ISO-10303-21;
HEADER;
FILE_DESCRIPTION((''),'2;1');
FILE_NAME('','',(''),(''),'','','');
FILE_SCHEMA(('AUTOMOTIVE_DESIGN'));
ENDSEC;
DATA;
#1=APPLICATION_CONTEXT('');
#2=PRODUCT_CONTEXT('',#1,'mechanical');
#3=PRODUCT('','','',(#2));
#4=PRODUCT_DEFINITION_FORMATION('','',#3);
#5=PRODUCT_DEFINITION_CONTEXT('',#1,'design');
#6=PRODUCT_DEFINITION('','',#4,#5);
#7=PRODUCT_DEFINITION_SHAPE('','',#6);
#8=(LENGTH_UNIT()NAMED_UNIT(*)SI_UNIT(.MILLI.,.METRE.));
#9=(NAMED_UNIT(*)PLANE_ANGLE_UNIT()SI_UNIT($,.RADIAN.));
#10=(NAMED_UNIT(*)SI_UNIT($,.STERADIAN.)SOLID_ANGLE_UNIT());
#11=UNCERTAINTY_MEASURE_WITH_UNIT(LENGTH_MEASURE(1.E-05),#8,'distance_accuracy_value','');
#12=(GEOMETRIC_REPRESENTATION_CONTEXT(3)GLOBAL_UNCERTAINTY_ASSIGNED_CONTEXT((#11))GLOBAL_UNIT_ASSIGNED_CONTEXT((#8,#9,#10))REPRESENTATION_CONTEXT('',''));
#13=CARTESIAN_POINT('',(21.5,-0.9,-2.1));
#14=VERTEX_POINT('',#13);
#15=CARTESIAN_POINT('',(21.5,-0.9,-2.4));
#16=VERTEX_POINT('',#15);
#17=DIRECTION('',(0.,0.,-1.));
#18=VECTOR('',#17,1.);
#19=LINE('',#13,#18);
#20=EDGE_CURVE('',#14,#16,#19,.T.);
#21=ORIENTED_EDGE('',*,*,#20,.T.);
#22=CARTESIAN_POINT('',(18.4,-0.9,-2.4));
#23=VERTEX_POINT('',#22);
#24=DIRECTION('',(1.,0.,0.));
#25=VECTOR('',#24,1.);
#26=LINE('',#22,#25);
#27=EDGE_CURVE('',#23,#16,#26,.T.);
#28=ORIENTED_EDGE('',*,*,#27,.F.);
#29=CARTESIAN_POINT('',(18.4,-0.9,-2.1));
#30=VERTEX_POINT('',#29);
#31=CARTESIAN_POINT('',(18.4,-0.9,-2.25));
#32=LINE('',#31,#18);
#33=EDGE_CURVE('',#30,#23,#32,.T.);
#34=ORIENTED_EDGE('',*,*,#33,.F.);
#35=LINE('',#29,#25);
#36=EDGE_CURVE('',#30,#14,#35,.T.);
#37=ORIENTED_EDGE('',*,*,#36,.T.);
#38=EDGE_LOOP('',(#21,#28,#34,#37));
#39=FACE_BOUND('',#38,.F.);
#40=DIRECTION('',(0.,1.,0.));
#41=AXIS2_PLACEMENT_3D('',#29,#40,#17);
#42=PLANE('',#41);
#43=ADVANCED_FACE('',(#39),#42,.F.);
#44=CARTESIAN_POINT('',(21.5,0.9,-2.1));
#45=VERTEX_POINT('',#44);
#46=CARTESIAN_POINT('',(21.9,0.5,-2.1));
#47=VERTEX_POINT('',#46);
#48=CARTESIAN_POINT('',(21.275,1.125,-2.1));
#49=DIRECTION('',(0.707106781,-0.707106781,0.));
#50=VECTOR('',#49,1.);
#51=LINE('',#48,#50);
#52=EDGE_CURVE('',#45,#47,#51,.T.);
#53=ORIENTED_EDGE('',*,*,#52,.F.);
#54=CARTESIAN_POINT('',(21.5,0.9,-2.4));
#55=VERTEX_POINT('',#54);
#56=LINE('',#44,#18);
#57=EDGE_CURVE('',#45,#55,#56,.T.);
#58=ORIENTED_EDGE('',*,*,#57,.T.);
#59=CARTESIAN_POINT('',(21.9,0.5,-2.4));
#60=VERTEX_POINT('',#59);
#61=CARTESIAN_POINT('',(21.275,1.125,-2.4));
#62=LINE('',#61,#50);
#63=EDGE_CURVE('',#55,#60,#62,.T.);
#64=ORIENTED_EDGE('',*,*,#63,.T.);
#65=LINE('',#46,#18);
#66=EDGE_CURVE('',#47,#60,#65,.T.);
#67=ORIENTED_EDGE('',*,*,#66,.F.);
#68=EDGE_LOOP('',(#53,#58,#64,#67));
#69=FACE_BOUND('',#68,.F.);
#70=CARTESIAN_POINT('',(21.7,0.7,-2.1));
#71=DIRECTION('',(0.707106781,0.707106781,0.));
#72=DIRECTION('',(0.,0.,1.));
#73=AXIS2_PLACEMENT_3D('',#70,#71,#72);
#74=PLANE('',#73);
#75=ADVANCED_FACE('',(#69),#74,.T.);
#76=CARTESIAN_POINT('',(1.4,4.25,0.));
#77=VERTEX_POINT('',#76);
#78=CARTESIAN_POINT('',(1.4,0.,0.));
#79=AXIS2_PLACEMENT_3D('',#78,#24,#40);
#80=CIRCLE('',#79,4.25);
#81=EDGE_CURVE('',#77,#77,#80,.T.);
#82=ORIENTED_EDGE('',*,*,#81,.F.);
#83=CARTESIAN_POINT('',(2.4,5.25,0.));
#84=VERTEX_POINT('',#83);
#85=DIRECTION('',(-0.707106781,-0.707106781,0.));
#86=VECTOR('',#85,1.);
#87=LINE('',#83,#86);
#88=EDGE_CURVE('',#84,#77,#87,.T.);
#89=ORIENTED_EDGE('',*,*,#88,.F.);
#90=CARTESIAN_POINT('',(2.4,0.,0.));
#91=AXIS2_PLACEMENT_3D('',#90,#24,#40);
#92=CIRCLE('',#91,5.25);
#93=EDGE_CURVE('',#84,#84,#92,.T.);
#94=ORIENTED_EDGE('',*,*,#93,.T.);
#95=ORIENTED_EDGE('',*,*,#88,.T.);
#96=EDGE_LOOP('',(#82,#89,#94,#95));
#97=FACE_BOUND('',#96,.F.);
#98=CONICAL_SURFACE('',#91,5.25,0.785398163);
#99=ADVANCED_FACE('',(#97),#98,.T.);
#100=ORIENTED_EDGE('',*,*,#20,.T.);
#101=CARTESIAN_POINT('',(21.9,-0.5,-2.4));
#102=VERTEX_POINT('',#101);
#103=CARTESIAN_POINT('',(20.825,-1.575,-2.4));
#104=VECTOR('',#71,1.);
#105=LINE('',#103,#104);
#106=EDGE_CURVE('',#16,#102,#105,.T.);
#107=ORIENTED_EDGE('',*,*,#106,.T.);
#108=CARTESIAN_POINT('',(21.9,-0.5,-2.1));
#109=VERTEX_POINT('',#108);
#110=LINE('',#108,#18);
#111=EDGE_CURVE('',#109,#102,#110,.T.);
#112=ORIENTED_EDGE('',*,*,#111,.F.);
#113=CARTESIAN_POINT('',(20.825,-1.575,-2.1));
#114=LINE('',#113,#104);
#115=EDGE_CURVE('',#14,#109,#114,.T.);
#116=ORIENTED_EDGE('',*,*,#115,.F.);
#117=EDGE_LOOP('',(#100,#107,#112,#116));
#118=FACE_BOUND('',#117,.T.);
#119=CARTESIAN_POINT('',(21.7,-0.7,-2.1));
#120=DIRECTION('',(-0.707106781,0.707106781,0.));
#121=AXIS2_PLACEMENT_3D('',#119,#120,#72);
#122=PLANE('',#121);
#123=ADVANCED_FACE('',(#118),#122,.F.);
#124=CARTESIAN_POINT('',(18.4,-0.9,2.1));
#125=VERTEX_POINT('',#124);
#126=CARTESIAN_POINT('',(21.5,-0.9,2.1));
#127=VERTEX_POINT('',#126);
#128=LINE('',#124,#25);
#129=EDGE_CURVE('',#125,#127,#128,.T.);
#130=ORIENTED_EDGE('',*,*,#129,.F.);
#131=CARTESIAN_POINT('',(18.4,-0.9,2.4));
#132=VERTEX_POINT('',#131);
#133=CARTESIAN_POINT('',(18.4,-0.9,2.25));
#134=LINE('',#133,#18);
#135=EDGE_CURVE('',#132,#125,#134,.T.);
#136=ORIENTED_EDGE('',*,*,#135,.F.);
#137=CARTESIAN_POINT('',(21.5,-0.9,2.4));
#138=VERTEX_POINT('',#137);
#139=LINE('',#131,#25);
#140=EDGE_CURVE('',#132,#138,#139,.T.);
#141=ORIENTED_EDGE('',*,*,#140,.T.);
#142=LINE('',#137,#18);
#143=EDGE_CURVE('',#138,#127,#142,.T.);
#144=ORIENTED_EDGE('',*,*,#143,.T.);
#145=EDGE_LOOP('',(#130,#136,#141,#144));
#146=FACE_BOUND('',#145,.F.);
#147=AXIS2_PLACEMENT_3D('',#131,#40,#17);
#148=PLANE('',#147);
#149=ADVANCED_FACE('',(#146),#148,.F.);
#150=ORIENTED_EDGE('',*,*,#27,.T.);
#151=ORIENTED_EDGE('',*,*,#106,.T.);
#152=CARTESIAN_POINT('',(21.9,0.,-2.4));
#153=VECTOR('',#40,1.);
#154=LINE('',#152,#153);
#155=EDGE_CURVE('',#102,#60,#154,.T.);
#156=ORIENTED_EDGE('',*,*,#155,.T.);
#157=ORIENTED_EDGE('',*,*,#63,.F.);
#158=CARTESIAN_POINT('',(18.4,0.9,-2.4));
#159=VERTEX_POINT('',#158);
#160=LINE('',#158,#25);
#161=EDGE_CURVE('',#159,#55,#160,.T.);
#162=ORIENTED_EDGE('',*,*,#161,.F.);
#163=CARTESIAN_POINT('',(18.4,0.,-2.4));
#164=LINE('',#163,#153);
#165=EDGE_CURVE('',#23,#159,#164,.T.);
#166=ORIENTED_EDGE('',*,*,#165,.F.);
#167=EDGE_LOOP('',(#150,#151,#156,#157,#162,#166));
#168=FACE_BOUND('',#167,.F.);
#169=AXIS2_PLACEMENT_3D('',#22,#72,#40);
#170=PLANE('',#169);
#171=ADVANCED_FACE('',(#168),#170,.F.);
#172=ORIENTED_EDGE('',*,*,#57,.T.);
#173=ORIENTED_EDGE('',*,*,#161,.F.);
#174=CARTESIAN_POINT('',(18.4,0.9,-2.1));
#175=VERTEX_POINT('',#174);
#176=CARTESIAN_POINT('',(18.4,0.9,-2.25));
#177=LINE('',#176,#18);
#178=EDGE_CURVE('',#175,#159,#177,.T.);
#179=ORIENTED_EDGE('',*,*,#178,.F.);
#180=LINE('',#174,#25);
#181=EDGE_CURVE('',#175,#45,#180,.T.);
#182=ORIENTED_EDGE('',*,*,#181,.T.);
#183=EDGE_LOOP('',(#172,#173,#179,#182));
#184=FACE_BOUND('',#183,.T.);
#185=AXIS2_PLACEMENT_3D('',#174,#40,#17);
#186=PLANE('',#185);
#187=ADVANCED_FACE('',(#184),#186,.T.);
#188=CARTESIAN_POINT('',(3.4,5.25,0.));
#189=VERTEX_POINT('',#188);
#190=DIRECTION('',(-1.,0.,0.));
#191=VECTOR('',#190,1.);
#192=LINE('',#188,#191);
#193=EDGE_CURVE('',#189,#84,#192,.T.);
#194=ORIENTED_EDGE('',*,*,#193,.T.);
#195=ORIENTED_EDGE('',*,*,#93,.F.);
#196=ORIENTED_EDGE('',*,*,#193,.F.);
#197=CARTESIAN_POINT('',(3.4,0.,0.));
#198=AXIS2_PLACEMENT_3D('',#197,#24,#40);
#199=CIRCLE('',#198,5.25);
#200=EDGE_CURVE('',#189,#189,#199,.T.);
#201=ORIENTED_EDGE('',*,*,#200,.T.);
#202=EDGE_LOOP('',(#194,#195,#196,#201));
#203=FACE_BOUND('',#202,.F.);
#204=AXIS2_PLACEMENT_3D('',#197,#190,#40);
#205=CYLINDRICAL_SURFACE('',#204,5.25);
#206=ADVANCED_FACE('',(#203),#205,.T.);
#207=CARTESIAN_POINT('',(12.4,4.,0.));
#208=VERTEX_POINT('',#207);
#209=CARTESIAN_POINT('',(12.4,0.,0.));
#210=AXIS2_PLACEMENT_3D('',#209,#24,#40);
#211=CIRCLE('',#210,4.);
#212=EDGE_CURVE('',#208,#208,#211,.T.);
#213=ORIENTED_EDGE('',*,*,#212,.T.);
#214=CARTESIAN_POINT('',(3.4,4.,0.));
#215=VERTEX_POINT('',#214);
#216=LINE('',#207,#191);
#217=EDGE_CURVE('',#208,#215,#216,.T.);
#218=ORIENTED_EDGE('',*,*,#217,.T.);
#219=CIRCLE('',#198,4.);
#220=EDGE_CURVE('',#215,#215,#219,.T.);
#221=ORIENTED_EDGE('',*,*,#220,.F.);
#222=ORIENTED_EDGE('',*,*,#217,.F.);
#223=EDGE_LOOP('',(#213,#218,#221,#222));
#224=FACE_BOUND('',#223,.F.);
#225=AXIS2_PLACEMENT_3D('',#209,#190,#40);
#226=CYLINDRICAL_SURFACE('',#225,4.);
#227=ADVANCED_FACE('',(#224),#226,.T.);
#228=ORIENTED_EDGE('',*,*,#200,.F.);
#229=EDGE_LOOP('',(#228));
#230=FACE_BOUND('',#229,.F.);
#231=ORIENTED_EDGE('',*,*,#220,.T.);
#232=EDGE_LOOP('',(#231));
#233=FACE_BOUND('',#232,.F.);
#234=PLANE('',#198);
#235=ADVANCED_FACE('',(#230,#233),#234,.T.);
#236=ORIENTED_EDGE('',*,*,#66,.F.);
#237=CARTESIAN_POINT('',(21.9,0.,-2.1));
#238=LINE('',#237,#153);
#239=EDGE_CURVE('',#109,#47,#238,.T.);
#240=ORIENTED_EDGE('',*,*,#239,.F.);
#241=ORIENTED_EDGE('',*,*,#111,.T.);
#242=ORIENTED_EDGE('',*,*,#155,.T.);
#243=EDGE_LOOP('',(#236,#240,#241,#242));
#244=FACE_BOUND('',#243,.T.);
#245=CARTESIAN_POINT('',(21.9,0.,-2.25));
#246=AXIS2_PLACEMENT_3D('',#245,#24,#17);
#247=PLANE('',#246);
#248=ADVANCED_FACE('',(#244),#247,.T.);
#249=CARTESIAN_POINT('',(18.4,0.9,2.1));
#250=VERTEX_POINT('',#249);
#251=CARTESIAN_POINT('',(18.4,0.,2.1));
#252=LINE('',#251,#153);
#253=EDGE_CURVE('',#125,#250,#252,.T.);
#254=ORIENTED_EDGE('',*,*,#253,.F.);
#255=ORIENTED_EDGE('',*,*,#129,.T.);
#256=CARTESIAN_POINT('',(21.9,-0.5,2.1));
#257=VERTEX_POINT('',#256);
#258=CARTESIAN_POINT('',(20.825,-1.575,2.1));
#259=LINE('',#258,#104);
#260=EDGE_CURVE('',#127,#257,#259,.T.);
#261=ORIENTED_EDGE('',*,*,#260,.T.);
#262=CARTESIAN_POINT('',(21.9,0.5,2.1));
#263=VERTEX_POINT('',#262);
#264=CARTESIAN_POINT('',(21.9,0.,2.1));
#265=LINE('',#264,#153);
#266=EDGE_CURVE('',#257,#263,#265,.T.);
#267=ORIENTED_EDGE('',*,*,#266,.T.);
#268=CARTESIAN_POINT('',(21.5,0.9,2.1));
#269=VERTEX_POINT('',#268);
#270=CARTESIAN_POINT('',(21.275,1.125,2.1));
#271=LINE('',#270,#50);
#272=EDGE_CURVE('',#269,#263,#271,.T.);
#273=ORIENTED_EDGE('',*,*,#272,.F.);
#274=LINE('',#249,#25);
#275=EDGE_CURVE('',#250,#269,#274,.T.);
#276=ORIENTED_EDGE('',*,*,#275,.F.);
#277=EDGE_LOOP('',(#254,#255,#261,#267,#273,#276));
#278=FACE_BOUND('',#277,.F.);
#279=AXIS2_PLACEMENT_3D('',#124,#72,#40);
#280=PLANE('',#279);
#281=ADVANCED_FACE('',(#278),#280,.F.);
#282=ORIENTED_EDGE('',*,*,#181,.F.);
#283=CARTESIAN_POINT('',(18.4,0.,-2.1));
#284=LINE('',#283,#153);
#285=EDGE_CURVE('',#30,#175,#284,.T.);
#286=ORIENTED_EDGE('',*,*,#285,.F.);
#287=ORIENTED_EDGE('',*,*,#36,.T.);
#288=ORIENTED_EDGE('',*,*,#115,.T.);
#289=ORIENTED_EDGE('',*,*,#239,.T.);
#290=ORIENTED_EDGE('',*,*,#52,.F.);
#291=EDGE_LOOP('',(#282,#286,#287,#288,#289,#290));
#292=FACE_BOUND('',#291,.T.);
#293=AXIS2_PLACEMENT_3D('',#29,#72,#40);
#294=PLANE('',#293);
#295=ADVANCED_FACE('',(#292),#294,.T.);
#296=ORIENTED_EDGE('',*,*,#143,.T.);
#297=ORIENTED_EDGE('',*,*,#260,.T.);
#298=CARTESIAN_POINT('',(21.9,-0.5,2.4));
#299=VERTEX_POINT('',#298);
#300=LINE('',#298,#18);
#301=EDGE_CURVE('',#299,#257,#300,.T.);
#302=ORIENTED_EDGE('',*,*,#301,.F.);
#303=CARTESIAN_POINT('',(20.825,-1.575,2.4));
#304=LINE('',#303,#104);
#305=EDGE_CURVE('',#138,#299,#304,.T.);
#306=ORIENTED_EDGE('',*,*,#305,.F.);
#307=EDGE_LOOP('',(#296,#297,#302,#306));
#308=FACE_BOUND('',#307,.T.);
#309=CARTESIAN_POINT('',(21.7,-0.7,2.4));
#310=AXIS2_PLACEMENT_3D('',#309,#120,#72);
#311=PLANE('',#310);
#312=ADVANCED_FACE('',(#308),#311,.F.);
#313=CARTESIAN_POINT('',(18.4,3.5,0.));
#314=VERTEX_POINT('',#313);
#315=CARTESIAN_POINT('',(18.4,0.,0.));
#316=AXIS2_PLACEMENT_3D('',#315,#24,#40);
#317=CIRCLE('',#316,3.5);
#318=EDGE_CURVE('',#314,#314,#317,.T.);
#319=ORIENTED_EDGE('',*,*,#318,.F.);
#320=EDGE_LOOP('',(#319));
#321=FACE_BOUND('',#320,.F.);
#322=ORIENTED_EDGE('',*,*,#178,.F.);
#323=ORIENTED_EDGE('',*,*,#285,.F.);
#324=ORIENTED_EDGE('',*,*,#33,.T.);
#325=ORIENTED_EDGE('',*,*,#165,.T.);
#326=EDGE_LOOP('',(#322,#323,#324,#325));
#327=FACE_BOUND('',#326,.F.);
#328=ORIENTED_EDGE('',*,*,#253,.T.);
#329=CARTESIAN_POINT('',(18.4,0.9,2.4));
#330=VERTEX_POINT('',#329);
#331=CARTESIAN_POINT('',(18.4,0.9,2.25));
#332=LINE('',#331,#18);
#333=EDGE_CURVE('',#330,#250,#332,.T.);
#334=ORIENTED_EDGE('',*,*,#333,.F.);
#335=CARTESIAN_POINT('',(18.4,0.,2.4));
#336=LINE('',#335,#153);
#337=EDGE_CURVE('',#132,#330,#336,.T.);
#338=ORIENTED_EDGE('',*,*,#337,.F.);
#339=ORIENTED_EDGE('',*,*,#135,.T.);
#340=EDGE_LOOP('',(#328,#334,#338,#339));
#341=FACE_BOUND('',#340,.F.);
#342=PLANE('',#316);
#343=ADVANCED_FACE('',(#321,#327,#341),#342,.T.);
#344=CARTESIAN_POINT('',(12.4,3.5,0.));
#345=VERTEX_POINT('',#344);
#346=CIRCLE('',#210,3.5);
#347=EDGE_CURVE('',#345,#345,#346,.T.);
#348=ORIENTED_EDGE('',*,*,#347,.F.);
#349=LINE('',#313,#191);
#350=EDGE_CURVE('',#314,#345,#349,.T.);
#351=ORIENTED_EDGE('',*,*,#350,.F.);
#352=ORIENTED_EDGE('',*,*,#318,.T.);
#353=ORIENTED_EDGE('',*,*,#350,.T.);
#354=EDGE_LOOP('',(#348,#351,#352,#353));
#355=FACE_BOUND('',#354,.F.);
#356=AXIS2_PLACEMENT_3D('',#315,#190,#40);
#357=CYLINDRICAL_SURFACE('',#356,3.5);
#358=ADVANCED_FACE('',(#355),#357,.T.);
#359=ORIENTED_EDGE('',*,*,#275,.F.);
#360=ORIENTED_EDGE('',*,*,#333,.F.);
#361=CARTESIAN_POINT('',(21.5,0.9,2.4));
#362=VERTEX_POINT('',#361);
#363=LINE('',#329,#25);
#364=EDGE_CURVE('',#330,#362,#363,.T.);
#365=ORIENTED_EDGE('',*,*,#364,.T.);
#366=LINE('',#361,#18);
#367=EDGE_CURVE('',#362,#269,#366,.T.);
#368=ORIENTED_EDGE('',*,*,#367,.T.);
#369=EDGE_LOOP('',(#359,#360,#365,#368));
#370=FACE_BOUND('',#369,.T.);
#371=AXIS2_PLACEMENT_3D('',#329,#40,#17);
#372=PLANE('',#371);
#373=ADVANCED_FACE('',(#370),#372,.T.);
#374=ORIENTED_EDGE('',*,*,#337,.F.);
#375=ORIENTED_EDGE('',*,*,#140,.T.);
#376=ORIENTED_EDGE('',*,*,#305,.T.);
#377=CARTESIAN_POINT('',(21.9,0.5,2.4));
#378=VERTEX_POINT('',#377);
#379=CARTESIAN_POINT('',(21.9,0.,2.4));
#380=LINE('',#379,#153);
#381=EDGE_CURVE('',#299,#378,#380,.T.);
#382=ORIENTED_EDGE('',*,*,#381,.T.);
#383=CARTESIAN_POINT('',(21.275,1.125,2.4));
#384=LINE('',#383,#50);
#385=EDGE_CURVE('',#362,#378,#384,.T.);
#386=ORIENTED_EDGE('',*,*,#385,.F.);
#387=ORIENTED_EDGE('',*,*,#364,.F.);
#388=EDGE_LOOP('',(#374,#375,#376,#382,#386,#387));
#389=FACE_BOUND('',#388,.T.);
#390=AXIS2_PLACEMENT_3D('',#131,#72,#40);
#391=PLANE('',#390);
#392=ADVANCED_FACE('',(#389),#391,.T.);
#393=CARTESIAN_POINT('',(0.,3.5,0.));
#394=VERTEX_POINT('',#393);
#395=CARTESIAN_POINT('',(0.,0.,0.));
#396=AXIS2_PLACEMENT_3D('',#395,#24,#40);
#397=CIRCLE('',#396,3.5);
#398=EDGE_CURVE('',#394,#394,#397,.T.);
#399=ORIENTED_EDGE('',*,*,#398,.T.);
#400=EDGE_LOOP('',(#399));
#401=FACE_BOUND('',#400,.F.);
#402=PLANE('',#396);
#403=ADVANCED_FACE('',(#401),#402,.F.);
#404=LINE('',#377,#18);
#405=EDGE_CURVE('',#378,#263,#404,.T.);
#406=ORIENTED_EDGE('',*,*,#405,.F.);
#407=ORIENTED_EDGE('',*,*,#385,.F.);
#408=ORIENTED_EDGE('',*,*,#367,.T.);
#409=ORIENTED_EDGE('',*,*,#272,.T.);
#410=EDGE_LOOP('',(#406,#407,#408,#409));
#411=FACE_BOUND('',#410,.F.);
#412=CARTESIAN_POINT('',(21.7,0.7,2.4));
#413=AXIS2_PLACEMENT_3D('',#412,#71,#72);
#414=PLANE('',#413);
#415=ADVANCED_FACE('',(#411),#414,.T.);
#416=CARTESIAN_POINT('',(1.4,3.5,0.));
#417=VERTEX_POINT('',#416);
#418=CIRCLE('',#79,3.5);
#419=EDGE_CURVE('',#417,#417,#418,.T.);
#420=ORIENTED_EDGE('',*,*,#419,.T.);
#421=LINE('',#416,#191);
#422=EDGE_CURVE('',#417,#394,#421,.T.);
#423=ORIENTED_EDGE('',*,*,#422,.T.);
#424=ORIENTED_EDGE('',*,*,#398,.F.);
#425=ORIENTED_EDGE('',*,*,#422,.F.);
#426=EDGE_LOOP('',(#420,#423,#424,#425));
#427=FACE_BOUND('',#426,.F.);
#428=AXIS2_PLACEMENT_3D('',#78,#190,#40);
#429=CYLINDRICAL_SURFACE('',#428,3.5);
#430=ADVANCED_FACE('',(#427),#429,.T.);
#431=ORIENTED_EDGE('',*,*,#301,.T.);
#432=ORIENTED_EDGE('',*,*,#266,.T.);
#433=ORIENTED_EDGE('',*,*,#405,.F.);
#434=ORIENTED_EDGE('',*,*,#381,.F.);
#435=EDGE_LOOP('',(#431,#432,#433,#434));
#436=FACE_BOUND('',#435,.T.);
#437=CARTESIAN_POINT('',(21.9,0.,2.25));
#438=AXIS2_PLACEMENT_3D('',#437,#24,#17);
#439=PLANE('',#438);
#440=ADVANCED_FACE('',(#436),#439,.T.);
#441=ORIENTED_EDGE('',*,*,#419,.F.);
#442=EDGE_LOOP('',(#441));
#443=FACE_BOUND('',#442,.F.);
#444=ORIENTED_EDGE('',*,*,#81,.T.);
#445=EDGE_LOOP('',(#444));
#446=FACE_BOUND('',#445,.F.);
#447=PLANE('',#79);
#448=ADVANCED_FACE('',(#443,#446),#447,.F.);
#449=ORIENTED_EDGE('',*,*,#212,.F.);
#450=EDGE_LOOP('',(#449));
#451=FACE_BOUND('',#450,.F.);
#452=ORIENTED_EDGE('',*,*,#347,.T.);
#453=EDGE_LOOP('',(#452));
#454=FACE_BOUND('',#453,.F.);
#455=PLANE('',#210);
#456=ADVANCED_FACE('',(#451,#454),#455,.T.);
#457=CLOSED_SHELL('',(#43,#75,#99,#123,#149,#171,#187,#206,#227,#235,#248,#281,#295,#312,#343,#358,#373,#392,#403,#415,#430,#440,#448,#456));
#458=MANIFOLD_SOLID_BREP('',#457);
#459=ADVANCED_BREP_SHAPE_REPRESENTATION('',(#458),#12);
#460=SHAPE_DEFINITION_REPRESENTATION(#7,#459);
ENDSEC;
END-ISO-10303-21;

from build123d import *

# Parameters (mm, degrees)
CHAMFER_1_SIZE  = 1
SKETCH_2_W      = 0.3
SKETCH_2_H      = 1.8
EXTRUDE_1_DEPTH = 3.5
CHAMFER_3_SIZE  = 0.4


with BuildPart() as part:
    # 草图1 → 旋转1 (revolve)
    with BuildSketch(Plane.XY):
        Polygon((18.4, 0), (18.4, 3.5), (12.4, 3.5), (12.4, 4), (3.4, 4), (3.4, 5.25), (1.4, 5.25), (1.4, 3.5), (0, 3.5), (0, 0), align=None)
    revolve(axis=Axis((0, 0, 0), (1, 0, 0)))

    # 倒角1
    chamfer_1_edges = [part.edges().sort_by_distance(p)[0] for p in [
        (1.4, -5.25, 0),
    ]]
    chamfer(chamfer_1_edges, length=CHAMFER_1_SIZE)

    # 草图2 → 凸台-拉伸1 (add)
    with BuildSketch(Plane(origin=(18.4, 0, 0), x_dir=(0, 0, -1), z_dir=(1, 0, 0))):
        with Locations((2.25, 0)):
            Rectangle(SKETCH_2_W, SKETCH_2_H)
        with Locations((-2.25, 0)):
            Rectangle(SKETCH_2_W, SKETCH_2_H)
    extrude(amount=EXTRUDE_1_DEPTH)

    # 倒角3
    chamfer_3_edges = [part.edges().sort_by_distance(p)[0] for p in [
        (21.9, 0.9, -2.25),
        (21.9, -0.9, -2.25),
        (21.9, 0.9, 2.25),
        (21.9, -0.9, 2.25),
    ]]
    chamfer(chamfer_3_edges, length=CHAMFER_3_SIZE)


solid = part.part
